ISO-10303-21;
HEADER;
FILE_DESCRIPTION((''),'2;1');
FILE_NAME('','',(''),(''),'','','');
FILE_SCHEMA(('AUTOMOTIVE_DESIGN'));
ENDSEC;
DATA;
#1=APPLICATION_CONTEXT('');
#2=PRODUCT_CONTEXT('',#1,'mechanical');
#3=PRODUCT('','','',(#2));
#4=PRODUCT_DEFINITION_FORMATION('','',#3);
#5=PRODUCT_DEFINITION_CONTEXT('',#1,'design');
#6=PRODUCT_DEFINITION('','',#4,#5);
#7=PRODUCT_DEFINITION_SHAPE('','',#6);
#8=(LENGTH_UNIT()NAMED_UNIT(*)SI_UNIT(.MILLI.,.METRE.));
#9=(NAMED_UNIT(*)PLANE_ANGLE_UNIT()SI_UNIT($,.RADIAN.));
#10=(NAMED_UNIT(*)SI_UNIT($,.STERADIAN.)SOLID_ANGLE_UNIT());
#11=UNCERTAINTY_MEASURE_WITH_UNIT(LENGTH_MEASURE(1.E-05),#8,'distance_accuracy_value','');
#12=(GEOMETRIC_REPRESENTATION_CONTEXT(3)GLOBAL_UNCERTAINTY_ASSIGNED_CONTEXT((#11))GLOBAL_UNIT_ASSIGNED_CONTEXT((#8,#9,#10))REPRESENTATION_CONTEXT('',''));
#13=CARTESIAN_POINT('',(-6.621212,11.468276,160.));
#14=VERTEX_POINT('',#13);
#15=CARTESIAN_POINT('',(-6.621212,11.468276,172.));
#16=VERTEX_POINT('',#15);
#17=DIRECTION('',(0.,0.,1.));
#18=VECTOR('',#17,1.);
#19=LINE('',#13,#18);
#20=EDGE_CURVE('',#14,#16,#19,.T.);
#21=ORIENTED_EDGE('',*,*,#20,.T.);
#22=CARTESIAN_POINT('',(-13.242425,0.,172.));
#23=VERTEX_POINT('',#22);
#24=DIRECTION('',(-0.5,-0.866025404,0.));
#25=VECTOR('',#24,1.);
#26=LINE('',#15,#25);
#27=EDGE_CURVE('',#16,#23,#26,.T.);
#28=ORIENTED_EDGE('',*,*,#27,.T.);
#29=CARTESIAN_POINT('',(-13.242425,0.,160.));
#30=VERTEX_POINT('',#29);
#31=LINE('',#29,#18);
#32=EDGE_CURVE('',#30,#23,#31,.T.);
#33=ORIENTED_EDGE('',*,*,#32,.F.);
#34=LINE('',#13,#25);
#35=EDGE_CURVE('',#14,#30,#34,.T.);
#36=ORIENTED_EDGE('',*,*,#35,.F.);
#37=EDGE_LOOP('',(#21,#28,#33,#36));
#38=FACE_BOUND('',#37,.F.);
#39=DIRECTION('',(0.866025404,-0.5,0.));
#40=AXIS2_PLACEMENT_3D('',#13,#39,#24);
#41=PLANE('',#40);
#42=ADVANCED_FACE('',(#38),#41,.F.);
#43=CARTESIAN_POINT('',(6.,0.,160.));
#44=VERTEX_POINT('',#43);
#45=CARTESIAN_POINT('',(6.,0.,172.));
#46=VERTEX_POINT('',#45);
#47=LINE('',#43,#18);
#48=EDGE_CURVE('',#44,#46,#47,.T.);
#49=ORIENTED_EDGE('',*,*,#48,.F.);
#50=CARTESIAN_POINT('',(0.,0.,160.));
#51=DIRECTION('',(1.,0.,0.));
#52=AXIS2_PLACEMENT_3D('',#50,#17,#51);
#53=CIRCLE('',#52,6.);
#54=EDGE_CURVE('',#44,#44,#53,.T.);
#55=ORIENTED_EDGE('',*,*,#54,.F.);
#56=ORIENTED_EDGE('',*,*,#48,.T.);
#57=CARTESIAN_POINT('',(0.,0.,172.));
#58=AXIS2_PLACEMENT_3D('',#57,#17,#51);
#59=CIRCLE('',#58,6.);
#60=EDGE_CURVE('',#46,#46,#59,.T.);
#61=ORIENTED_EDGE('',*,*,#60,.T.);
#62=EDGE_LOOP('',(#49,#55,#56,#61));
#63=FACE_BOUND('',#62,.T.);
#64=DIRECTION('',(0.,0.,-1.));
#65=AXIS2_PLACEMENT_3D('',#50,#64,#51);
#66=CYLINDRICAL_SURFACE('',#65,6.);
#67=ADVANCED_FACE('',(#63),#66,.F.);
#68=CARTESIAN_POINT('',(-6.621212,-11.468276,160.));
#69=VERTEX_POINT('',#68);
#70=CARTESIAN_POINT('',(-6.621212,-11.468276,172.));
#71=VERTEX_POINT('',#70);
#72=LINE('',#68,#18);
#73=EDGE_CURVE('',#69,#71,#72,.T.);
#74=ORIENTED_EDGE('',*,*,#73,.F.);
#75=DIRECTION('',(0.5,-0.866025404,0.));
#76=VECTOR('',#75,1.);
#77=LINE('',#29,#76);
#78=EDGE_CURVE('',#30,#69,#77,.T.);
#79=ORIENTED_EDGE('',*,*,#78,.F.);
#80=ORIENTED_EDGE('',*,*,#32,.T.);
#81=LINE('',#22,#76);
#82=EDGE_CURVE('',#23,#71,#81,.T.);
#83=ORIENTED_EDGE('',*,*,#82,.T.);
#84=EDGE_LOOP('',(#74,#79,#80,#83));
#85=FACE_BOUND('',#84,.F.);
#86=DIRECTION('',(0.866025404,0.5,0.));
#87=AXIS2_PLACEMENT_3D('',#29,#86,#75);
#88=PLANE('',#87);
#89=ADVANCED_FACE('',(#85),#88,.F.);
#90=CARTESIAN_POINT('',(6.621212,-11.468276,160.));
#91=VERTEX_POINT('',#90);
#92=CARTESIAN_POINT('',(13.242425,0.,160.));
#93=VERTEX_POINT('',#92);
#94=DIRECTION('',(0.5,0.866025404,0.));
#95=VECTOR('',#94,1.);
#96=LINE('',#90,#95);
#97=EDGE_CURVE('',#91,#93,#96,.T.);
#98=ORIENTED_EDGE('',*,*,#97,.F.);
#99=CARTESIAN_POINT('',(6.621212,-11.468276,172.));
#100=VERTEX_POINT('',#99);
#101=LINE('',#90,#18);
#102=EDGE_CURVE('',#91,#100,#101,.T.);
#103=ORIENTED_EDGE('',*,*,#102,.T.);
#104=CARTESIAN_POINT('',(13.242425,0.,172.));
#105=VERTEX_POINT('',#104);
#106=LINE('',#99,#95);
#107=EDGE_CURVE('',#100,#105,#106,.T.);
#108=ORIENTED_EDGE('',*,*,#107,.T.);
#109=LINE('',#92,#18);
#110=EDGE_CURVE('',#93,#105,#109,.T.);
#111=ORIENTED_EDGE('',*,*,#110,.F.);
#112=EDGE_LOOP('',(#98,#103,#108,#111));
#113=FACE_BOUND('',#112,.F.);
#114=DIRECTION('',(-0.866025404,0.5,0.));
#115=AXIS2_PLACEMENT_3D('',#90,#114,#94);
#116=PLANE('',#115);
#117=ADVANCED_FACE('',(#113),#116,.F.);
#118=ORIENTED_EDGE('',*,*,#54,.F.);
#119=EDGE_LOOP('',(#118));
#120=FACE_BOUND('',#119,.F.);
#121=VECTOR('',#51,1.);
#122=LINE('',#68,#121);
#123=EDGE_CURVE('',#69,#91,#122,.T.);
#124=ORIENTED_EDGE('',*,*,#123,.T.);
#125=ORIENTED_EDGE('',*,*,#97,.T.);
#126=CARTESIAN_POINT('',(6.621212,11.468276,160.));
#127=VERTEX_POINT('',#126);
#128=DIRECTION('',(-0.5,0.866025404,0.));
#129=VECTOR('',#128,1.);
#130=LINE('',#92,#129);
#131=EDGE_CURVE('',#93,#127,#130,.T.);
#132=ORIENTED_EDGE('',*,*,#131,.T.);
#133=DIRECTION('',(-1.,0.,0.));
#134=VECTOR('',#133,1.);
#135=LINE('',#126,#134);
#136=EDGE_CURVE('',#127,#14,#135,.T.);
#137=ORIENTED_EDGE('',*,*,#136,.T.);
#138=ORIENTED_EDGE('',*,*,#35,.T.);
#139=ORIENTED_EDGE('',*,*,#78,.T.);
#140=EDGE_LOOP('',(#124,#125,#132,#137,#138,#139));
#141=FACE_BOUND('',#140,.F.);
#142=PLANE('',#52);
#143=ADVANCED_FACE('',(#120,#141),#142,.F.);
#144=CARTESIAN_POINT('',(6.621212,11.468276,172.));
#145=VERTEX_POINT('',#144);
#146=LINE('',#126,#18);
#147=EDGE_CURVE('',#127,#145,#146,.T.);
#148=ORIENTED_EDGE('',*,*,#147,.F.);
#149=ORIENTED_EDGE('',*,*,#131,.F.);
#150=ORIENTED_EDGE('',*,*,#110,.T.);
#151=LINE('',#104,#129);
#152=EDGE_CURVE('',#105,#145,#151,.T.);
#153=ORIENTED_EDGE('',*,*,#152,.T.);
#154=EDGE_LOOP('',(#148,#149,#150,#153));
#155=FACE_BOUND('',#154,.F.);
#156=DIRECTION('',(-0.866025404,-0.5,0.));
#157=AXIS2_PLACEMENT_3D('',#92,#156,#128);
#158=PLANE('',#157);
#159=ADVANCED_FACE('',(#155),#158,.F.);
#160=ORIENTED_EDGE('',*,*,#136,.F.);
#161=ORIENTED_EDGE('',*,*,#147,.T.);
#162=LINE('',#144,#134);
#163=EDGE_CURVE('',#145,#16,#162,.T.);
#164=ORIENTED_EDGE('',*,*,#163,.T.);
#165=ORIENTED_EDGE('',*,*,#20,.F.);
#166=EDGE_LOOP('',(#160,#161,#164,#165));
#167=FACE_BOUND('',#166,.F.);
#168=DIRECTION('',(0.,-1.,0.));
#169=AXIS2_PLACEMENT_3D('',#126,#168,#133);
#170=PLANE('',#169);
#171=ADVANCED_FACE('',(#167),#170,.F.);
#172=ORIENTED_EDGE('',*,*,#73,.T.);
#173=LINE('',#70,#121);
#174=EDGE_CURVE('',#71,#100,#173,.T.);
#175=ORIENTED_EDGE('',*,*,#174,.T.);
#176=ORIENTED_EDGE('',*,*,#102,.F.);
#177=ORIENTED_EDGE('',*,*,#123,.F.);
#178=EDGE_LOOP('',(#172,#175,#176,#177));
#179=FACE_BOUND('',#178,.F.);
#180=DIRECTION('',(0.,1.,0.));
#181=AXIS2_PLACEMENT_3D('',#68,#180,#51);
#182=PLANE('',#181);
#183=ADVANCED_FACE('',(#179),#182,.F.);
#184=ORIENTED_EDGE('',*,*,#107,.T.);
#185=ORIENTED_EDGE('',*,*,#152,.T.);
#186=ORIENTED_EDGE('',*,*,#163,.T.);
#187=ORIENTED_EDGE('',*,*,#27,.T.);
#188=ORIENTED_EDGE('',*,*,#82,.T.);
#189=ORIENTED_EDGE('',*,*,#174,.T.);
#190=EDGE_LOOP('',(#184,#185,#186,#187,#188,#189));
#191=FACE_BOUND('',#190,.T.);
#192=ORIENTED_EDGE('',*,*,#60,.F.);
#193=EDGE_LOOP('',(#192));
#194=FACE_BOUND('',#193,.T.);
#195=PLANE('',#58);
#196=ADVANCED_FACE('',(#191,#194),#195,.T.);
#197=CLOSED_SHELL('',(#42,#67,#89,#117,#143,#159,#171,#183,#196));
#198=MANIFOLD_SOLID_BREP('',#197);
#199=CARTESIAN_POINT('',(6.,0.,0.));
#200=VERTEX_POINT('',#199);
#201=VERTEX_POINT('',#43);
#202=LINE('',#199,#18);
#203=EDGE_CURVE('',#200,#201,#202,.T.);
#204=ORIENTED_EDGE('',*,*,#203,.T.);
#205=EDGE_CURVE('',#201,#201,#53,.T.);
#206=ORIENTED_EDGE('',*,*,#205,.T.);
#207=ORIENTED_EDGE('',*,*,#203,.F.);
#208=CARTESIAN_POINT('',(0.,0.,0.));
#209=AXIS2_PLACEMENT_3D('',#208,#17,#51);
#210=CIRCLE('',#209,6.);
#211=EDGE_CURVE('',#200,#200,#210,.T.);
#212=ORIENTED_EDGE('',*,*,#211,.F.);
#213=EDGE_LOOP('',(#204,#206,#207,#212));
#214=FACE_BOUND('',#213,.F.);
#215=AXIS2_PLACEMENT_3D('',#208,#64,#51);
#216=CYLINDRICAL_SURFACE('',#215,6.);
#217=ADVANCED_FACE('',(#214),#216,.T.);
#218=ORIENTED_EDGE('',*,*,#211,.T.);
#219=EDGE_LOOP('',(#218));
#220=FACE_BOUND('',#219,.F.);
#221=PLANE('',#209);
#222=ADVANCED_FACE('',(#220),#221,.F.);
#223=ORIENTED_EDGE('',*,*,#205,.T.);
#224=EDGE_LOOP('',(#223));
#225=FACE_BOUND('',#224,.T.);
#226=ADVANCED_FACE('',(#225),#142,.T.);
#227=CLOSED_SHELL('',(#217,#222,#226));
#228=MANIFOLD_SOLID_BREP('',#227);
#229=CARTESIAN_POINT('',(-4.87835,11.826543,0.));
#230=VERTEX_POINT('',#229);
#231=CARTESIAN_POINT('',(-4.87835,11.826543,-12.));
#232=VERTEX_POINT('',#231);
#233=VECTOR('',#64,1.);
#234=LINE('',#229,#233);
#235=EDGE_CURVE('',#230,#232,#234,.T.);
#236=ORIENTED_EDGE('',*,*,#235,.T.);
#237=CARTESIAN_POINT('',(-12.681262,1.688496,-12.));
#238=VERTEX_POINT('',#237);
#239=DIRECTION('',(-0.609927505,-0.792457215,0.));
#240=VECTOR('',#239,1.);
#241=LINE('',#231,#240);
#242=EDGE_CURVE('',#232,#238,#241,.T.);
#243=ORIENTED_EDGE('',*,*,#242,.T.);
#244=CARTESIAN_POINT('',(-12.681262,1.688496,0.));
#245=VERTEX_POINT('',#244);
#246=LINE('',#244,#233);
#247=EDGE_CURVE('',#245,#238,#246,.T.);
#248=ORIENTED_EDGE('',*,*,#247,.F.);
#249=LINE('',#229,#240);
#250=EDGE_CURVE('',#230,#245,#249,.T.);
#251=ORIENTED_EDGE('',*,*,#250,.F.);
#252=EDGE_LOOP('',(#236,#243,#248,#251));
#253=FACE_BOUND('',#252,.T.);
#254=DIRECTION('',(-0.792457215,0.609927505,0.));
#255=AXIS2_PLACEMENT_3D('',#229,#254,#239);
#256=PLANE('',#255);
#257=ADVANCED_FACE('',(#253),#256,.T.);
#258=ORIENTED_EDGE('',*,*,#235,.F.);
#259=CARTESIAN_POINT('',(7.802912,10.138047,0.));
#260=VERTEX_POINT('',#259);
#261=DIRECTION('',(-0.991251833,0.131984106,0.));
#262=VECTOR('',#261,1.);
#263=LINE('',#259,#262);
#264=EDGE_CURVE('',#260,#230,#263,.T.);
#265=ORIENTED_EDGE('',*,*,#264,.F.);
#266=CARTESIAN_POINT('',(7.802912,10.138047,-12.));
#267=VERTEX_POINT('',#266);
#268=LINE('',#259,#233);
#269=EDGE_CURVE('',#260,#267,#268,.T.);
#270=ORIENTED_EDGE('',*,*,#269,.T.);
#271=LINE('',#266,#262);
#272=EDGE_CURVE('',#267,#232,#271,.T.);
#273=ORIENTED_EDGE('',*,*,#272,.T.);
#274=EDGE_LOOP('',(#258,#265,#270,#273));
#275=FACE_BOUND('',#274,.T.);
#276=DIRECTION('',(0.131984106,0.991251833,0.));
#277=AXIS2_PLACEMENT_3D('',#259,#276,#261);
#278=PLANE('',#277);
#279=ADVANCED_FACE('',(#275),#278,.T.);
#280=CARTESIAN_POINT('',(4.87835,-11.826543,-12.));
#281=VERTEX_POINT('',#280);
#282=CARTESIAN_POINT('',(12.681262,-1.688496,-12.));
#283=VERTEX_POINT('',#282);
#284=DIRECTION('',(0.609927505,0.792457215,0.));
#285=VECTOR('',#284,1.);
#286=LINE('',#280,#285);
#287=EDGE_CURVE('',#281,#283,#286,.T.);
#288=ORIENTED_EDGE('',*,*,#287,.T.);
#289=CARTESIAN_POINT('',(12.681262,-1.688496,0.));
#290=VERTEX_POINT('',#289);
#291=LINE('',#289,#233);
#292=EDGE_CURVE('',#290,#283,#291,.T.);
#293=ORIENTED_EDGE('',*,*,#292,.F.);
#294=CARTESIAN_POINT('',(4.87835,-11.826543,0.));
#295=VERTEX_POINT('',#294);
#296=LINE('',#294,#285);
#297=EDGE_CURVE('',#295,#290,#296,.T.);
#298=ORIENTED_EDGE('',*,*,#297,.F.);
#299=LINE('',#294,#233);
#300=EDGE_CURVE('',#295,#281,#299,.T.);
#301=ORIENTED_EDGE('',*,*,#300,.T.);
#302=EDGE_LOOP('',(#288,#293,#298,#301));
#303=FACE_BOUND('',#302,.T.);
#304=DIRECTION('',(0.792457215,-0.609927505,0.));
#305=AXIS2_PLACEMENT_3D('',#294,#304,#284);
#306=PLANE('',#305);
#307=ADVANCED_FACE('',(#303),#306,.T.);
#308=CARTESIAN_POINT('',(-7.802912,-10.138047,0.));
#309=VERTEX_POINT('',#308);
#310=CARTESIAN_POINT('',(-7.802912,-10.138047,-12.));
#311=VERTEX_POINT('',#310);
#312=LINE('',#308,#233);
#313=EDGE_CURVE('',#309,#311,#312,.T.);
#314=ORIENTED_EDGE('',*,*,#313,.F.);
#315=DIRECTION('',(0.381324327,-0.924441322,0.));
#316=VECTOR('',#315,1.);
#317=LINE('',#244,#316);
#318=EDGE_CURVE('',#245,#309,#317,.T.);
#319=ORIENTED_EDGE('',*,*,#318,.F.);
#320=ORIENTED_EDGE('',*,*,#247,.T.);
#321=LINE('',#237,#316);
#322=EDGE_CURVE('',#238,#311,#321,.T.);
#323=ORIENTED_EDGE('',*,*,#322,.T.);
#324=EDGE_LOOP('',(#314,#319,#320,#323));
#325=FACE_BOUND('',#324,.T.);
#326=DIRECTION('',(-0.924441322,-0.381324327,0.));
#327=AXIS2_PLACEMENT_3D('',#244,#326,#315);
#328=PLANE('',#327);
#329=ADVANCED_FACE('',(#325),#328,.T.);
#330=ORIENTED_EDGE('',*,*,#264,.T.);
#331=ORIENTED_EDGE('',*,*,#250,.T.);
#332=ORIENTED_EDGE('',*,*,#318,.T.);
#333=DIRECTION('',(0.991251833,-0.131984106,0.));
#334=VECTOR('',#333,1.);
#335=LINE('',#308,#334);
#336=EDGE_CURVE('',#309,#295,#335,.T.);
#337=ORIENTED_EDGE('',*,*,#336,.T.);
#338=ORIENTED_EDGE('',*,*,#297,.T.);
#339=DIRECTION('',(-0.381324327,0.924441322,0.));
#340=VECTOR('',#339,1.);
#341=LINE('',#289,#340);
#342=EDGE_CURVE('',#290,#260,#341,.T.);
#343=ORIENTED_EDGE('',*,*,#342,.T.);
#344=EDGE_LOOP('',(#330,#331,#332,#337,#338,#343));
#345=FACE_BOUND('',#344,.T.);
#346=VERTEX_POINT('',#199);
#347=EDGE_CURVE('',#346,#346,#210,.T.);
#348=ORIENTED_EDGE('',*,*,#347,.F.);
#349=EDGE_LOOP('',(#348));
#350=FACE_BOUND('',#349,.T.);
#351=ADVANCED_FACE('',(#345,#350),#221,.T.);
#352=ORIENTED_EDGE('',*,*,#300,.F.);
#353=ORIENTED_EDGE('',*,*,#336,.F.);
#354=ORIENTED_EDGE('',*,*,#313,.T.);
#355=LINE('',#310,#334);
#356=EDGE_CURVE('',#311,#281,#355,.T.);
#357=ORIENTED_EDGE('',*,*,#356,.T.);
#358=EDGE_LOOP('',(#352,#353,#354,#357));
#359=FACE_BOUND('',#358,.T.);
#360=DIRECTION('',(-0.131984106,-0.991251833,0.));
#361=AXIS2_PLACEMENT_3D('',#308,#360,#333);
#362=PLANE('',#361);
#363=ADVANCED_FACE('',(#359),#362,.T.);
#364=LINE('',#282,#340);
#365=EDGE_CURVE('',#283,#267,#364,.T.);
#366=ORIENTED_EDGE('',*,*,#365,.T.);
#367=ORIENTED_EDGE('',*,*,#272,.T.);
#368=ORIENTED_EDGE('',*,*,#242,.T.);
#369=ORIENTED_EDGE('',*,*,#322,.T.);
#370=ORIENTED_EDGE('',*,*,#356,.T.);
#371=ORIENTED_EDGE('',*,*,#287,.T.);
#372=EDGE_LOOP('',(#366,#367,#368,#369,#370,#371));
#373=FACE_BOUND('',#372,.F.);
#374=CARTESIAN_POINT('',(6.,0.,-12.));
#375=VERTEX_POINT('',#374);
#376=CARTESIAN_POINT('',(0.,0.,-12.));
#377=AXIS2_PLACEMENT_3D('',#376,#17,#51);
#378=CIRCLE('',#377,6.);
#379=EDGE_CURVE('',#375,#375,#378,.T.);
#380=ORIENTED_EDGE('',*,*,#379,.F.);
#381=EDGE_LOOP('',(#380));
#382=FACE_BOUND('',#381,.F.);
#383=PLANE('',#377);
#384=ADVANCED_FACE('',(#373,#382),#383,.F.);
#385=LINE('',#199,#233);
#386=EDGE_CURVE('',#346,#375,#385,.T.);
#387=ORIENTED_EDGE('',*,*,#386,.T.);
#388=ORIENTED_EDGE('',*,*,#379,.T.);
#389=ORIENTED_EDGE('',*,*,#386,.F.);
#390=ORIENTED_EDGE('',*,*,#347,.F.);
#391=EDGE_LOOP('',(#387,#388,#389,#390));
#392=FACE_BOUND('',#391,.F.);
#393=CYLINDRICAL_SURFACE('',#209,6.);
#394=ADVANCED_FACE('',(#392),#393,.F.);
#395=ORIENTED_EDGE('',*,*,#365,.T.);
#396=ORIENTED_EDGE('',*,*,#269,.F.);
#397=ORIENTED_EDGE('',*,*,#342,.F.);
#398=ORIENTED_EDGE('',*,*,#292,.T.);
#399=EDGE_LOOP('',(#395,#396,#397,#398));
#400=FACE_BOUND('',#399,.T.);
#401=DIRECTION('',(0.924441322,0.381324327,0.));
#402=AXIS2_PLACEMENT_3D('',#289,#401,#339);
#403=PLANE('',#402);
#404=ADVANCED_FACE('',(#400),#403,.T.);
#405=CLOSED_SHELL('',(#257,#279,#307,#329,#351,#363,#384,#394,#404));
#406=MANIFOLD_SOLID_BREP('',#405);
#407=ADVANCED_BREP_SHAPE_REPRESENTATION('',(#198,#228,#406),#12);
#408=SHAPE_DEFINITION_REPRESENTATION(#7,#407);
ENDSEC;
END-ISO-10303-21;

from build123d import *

# Parameters (mm, degrees)
F0_R     = 6
F1_DEPTH = 160
F2_DEPTH = 12
F3_R     = 6
F4_DEPTH = 12


with BuildPart() as f1:
    # F0 (on Top) → F1 (new body)
    with BuildSketch(Plane.XY):
        Circle(F0_R)
    extrude(amount=F1_DEPTH)

    # F0 (on Top) → F2 (join)
    with BuildSketch(Plane.XY):
        Polygon((-4.8783502823, 11.8265430801), (-12.6812618875, 1.688496267), (-7.8029116052, -10.1380468131), (4.8783502823, -11.8265430801), (12.6812618875, -1.688496267), (7.8029116052, 10.1380468131), align=None)
        Circle(F0_R, mode=Mode.SUBTRACT)
    extrude(amount=-F2_DEPTH)


with BuildPart() as f4:
    # F3 (on face) → F4 (new body)
    with BuildSketch(Plane.XY.offset(160)):
        Polygon((-6.621212456, -11.4682763815), (6.621212456, -11.4682763815), (13.242424912, 0), (6.621212456, 11.4682763815), (-6.621212456, 11.4682763815), (-13.242424912, 0), align=None)
        Circle(F3_R, mode=Mode.SUBTRACT)
    extrude(amount=F4_DEPTH)


solid = Compound([f1.part, f4.part])
